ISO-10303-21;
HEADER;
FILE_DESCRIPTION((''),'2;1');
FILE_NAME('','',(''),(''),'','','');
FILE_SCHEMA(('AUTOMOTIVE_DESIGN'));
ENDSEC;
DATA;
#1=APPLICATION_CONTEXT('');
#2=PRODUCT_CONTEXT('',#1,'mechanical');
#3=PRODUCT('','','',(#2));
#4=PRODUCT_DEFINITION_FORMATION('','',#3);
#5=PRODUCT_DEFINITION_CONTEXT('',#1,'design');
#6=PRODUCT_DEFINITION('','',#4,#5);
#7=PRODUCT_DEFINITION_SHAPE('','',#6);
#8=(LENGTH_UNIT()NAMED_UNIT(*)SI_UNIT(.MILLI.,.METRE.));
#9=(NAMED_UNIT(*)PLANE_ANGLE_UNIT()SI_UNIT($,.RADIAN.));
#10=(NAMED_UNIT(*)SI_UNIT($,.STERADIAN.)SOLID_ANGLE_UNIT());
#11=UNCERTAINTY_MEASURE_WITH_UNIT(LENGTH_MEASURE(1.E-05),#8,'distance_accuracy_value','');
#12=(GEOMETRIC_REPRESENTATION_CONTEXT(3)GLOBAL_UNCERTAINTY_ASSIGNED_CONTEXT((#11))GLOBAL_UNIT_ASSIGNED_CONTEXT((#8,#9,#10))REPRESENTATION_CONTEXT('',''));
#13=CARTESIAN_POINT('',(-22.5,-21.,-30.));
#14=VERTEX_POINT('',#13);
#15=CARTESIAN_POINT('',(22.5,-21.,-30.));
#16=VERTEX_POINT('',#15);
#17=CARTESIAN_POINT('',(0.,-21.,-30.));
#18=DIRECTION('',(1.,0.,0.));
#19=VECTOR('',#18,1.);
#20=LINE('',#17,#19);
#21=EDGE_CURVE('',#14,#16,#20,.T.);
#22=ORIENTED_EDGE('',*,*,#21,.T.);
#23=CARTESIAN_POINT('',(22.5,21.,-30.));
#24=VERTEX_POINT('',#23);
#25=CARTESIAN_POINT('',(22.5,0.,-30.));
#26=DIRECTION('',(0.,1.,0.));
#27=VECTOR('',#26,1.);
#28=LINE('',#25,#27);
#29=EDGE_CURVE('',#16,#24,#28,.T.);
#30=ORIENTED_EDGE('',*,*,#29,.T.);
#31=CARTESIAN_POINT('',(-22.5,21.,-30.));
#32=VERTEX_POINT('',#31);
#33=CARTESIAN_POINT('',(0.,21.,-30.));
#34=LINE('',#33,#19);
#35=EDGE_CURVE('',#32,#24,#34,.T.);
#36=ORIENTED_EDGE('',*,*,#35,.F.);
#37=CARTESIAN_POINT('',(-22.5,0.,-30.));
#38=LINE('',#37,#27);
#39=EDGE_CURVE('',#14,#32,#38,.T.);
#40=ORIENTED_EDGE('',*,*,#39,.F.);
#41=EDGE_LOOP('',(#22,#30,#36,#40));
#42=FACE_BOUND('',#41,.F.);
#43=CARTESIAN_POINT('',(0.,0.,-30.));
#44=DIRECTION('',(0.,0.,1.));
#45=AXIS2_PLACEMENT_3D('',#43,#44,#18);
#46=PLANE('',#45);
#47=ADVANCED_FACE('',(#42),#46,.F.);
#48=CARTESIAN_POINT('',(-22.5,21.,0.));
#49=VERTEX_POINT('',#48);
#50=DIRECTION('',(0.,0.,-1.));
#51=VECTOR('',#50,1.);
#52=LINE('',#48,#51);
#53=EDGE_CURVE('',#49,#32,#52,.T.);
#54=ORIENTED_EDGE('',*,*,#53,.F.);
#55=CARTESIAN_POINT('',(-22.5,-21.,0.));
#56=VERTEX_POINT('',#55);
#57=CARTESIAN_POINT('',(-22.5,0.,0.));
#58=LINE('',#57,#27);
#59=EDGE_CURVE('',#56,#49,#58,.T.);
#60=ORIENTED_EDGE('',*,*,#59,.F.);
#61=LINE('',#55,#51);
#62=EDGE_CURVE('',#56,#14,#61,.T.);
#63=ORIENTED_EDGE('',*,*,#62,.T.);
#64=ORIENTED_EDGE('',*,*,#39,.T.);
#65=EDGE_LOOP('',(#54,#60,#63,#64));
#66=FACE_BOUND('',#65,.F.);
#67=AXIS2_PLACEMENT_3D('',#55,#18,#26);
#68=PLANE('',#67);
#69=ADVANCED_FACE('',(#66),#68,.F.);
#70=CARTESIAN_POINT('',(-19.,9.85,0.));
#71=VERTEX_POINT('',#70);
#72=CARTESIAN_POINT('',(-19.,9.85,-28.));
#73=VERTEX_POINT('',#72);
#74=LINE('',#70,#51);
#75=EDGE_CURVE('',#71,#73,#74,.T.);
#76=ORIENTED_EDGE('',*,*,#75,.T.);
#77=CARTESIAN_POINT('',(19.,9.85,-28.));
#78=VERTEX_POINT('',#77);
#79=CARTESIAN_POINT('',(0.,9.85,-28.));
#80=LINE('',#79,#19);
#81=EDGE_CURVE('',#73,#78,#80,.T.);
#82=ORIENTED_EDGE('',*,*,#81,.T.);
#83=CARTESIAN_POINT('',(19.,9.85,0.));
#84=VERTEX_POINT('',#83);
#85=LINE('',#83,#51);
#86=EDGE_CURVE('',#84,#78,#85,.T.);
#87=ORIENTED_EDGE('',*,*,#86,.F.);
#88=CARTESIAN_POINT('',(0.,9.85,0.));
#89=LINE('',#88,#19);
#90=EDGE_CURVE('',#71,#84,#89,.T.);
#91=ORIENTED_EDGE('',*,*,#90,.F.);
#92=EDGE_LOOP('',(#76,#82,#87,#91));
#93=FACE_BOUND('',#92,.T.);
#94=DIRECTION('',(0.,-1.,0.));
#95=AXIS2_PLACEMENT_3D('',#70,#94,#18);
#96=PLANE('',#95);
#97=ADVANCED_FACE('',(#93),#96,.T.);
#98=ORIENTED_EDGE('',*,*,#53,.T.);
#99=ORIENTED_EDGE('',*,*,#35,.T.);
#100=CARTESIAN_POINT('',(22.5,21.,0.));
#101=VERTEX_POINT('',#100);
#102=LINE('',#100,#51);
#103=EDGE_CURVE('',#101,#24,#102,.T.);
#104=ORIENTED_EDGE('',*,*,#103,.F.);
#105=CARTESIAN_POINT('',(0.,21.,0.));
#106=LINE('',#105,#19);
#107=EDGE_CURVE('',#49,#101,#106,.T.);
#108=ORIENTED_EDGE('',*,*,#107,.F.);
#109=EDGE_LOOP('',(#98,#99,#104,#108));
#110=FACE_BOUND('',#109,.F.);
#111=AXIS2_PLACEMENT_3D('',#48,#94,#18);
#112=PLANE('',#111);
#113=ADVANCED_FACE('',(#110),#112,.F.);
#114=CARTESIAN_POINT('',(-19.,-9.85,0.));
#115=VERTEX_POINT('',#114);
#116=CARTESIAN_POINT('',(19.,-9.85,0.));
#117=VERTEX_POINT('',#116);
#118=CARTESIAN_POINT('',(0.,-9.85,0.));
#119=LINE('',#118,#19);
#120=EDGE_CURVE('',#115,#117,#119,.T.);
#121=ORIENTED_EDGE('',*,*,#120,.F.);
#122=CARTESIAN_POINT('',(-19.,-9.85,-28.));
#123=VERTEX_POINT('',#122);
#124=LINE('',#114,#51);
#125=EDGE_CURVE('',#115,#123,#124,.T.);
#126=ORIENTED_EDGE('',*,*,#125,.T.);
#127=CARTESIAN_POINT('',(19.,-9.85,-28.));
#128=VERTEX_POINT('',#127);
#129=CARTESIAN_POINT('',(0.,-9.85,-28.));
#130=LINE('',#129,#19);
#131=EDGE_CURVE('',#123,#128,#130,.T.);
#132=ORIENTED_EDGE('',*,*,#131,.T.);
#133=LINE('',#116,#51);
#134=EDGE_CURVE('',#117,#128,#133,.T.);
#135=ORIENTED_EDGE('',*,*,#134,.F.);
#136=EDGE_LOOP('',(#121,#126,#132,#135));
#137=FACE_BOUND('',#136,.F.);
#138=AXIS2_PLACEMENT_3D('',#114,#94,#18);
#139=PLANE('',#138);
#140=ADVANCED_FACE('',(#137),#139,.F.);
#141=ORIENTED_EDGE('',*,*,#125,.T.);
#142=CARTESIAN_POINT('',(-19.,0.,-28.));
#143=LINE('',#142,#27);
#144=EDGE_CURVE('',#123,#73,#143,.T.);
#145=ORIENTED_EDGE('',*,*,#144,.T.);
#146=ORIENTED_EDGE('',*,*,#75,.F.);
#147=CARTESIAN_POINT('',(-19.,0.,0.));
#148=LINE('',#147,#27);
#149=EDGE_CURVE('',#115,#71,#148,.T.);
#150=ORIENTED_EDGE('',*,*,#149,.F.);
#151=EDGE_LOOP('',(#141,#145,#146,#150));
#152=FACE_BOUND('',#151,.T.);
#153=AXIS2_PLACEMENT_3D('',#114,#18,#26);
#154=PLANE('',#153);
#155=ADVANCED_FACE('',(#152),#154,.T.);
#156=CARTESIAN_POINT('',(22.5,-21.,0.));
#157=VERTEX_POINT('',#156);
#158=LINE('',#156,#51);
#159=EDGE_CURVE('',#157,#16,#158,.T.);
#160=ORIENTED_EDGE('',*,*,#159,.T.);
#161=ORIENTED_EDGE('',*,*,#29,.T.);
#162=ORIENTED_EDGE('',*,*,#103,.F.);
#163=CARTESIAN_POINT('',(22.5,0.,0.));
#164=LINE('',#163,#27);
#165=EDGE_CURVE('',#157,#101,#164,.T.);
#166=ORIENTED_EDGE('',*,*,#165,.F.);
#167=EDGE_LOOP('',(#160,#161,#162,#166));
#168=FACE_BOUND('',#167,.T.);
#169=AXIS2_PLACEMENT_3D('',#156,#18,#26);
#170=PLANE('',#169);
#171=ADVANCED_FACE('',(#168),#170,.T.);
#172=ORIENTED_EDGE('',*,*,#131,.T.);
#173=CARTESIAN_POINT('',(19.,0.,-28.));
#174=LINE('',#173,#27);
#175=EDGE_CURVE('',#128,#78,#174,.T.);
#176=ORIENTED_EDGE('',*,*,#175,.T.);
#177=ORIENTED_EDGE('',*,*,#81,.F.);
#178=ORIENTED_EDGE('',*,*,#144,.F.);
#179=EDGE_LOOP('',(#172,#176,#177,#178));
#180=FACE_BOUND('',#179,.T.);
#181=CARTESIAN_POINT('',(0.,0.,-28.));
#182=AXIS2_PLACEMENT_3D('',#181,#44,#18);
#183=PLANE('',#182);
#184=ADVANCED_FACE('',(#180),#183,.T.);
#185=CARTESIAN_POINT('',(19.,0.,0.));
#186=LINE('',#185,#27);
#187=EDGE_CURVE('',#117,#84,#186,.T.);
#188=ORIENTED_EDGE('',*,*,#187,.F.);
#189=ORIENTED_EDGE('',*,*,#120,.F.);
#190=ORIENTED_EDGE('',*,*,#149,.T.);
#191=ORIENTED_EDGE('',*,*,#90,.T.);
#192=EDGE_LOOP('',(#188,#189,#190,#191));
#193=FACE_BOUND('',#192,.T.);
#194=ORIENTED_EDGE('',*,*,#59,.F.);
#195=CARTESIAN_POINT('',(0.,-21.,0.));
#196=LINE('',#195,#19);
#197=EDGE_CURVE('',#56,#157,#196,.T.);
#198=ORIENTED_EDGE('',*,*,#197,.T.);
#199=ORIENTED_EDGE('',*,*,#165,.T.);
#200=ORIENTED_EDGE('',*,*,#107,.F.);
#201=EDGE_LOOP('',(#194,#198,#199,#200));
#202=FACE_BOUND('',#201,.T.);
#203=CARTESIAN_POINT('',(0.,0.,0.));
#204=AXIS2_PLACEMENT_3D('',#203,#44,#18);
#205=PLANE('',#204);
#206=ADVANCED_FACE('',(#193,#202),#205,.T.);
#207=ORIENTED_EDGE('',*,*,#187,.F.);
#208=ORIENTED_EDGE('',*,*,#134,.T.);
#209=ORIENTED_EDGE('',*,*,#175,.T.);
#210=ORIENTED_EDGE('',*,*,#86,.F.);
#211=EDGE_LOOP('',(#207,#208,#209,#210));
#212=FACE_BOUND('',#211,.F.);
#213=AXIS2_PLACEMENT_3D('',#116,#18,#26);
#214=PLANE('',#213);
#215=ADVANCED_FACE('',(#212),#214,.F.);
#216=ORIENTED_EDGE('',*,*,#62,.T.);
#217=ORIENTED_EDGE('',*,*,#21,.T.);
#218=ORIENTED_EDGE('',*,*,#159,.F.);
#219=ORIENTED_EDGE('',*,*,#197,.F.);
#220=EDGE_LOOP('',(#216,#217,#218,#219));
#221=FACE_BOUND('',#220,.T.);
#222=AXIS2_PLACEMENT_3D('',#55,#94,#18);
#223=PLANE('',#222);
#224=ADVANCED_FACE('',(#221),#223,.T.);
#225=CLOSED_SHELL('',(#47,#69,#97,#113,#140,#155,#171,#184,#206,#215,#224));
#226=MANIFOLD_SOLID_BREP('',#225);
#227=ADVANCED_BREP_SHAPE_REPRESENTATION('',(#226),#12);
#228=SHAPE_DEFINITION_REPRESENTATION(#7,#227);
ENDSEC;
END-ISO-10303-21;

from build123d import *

# Parameters (mm, degrees)
F1_W     = 45
F1_H     = 42
F2_DEPTH = 30
F0_W     = 38
F0_H     = 19.7
F3_DEPTH = 28


with BuildPart() as f2:
    # F1 (on Top) → F2 (new body)
    with BuildSketch(Plane.XY):
        Rectangle(F1_W, F1_H)
    extrude(amount=-F2_DEPTH)

    # F0 (on Top) → F3 (cut)
    with BuildSketch(Plane.XY):
        Rectangle(F0_W, F0_H)
    extrude(amount=-F3_DEPTH, mode=Mode.SUBTRACT)


solid = f2.part
